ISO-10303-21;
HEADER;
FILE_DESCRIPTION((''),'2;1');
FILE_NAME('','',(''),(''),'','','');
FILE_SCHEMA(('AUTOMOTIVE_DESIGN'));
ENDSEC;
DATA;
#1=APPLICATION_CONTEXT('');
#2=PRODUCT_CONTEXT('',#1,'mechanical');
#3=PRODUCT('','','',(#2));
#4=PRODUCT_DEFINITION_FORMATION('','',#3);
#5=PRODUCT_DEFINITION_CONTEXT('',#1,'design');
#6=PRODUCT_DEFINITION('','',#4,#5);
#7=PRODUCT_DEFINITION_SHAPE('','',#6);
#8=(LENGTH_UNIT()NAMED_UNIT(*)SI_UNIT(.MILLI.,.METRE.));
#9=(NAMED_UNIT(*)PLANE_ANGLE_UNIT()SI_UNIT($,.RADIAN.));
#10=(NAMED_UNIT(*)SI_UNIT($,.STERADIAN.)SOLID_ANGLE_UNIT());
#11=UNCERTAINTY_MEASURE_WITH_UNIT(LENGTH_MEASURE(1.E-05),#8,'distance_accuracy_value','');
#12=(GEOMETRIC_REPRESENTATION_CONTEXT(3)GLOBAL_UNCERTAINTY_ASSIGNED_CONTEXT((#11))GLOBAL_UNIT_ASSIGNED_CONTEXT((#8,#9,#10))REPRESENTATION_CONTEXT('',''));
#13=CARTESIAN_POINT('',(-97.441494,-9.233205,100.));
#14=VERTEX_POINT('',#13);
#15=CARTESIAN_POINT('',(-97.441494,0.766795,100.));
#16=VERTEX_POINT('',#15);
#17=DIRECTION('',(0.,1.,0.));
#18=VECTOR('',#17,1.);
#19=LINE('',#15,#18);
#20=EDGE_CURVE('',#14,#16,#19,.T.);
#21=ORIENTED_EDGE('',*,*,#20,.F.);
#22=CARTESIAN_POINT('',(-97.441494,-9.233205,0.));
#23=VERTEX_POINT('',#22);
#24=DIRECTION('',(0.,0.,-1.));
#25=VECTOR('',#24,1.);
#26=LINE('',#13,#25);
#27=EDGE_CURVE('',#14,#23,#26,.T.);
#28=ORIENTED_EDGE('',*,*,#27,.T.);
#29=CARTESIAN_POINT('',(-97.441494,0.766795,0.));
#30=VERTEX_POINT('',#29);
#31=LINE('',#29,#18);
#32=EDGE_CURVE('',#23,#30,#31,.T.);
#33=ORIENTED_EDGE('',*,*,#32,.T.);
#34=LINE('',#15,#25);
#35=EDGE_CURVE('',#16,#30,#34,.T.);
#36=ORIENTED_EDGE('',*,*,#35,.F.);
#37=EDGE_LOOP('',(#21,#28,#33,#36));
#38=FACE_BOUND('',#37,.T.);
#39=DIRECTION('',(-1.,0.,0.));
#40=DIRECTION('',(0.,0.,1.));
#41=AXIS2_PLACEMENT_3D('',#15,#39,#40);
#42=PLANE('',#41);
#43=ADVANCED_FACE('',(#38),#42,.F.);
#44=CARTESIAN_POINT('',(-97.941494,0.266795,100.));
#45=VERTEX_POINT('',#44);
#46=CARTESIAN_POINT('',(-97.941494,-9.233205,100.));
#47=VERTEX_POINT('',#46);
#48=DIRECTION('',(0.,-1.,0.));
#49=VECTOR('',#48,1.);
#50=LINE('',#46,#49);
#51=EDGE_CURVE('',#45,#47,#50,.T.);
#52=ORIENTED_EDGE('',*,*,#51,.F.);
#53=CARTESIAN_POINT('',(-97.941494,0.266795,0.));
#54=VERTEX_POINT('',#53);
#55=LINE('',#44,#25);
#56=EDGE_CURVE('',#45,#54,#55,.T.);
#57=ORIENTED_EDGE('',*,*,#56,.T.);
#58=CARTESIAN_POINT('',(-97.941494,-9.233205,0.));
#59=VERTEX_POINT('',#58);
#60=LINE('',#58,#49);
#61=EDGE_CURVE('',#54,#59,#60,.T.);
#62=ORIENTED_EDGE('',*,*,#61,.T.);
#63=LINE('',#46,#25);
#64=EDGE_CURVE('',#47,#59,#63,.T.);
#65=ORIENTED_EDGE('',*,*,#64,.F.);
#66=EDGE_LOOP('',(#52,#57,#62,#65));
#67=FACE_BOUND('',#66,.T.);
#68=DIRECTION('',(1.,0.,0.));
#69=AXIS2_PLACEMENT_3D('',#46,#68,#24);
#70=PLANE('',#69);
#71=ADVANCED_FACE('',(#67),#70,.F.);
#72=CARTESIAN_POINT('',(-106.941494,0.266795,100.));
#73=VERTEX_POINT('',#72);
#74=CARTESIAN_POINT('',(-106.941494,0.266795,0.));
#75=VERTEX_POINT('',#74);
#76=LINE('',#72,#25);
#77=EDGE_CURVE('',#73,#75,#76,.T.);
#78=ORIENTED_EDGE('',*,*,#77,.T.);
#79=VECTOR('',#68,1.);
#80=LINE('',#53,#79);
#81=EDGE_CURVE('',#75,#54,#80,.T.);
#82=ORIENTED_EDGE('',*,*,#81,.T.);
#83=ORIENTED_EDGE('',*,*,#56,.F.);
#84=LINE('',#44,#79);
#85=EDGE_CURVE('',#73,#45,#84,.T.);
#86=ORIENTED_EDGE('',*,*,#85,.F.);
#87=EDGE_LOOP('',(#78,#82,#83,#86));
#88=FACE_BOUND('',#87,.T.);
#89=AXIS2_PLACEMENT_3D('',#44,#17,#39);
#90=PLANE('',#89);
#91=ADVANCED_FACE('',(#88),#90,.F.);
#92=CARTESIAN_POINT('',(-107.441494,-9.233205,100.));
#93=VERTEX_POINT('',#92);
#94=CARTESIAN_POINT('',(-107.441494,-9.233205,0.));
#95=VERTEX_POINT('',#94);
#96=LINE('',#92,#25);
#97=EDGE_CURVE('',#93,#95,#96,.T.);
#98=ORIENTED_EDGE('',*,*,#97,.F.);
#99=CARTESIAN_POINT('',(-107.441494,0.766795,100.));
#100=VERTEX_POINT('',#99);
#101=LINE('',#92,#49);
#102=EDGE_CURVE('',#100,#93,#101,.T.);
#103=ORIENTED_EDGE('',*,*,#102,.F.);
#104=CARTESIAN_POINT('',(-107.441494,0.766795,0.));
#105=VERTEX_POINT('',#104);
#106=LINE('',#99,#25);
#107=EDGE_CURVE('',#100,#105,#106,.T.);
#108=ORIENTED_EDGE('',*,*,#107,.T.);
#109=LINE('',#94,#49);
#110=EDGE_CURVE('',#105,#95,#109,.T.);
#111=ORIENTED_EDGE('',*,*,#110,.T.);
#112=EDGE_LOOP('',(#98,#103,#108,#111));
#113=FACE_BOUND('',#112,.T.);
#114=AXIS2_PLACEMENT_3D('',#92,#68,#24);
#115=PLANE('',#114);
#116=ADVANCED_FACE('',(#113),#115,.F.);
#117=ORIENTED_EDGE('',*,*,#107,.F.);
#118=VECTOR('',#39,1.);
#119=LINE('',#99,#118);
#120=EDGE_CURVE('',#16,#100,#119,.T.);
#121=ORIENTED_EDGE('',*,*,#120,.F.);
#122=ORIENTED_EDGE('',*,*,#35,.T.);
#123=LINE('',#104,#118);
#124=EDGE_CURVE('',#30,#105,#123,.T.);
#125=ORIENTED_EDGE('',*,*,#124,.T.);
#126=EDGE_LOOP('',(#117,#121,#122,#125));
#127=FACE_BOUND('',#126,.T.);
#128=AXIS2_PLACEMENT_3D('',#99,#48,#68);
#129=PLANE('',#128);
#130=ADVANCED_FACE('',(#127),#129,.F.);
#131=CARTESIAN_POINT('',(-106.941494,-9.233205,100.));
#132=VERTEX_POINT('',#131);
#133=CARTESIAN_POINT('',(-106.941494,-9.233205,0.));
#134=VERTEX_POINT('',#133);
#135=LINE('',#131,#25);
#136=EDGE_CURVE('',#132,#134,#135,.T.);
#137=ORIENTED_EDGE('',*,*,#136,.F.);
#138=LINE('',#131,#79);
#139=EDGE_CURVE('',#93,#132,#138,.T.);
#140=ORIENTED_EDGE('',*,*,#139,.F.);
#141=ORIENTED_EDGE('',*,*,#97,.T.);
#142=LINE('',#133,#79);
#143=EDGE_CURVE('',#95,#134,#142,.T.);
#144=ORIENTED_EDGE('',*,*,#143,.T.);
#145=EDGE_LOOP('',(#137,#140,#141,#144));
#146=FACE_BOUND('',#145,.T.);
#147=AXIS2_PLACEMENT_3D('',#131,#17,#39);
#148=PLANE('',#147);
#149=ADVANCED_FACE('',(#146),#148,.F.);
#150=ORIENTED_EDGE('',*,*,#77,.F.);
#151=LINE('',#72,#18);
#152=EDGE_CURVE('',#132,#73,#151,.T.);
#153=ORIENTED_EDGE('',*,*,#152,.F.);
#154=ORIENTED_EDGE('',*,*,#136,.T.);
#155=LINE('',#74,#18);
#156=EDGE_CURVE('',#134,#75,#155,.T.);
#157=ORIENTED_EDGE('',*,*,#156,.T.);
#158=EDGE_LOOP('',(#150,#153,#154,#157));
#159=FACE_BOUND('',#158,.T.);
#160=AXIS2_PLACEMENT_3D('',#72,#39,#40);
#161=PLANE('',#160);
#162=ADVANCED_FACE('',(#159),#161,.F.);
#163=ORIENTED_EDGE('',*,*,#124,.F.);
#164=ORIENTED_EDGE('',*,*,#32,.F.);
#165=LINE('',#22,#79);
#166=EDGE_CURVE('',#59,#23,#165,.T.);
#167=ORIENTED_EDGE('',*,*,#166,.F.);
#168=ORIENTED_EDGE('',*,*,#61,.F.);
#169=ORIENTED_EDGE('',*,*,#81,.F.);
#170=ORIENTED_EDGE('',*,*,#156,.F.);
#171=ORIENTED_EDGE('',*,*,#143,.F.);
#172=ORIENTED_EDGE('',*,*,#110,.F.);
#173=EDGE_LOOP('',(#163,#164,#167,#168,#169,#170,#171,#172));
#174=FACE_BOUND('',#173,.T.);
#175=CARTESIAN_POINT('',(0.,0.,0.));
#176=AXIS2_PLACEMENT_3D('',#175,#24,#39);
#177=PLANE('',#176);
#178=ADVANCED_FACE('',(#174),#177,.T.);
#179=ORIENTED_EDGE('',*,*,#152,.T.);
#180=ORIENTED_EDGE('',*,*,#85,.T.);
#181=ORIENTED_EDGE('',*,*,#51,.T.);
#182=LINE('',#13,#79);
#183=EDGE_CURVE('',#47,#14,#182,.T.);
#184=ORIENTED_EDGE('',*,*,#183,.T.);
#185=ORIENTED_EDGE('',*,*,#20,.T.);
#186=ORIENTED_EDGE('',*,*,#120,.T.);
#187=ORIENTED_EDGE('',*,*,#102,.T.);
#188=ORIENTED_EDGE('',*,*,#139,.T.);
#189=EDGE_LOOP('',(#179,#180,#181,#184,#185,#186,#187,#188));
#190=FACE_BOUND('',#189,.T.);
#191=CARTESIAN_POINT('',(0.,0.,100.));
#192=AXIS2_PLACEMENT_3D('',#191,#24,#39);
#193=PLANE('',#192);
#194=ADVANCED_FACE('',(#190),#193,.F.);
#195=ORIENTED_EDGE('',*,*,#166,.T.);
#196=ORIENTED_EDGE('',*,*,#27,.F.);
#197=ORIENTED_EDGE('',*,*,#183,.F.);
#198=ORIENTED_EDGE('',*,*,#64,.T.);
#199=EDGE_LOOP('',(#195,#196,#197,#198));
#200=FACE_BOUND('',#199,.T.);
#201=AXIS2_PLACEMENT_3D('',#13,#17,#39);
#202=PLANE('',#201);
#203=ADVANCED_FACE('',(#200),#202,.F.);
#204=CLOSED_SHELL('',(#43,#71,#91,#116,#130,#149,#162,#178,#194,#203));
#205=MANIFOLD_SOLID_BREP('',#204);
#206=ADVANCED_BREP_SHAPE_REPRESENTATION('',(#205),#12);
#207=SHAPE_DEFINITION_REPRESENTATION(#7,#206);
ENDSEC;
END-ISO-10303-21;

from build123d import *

# Parameters (mm, degrees)
BOSS_EXTRU_1_DEPTH = 100


with BuildPart() as part:
    # Esquisse2 → Boss.-Extru.1 (new body)
    with BuildSketch(Plane.XY):
        Polygon((-107.441493859, -9.233205108), (-107.441493859, 0.766794892), (-97.441493859, 0.766794892), (-97.441493859, -9.233205108), (-97.941493859, -9.233205108), (-97.941493859, 0.266794892), (-106.941493859, 0.266794892), (-106.941493859, -9.233205108), align=None)
    extrude(amount=BOSS_EXTRU_1_DEPTH)


solid = part.part
